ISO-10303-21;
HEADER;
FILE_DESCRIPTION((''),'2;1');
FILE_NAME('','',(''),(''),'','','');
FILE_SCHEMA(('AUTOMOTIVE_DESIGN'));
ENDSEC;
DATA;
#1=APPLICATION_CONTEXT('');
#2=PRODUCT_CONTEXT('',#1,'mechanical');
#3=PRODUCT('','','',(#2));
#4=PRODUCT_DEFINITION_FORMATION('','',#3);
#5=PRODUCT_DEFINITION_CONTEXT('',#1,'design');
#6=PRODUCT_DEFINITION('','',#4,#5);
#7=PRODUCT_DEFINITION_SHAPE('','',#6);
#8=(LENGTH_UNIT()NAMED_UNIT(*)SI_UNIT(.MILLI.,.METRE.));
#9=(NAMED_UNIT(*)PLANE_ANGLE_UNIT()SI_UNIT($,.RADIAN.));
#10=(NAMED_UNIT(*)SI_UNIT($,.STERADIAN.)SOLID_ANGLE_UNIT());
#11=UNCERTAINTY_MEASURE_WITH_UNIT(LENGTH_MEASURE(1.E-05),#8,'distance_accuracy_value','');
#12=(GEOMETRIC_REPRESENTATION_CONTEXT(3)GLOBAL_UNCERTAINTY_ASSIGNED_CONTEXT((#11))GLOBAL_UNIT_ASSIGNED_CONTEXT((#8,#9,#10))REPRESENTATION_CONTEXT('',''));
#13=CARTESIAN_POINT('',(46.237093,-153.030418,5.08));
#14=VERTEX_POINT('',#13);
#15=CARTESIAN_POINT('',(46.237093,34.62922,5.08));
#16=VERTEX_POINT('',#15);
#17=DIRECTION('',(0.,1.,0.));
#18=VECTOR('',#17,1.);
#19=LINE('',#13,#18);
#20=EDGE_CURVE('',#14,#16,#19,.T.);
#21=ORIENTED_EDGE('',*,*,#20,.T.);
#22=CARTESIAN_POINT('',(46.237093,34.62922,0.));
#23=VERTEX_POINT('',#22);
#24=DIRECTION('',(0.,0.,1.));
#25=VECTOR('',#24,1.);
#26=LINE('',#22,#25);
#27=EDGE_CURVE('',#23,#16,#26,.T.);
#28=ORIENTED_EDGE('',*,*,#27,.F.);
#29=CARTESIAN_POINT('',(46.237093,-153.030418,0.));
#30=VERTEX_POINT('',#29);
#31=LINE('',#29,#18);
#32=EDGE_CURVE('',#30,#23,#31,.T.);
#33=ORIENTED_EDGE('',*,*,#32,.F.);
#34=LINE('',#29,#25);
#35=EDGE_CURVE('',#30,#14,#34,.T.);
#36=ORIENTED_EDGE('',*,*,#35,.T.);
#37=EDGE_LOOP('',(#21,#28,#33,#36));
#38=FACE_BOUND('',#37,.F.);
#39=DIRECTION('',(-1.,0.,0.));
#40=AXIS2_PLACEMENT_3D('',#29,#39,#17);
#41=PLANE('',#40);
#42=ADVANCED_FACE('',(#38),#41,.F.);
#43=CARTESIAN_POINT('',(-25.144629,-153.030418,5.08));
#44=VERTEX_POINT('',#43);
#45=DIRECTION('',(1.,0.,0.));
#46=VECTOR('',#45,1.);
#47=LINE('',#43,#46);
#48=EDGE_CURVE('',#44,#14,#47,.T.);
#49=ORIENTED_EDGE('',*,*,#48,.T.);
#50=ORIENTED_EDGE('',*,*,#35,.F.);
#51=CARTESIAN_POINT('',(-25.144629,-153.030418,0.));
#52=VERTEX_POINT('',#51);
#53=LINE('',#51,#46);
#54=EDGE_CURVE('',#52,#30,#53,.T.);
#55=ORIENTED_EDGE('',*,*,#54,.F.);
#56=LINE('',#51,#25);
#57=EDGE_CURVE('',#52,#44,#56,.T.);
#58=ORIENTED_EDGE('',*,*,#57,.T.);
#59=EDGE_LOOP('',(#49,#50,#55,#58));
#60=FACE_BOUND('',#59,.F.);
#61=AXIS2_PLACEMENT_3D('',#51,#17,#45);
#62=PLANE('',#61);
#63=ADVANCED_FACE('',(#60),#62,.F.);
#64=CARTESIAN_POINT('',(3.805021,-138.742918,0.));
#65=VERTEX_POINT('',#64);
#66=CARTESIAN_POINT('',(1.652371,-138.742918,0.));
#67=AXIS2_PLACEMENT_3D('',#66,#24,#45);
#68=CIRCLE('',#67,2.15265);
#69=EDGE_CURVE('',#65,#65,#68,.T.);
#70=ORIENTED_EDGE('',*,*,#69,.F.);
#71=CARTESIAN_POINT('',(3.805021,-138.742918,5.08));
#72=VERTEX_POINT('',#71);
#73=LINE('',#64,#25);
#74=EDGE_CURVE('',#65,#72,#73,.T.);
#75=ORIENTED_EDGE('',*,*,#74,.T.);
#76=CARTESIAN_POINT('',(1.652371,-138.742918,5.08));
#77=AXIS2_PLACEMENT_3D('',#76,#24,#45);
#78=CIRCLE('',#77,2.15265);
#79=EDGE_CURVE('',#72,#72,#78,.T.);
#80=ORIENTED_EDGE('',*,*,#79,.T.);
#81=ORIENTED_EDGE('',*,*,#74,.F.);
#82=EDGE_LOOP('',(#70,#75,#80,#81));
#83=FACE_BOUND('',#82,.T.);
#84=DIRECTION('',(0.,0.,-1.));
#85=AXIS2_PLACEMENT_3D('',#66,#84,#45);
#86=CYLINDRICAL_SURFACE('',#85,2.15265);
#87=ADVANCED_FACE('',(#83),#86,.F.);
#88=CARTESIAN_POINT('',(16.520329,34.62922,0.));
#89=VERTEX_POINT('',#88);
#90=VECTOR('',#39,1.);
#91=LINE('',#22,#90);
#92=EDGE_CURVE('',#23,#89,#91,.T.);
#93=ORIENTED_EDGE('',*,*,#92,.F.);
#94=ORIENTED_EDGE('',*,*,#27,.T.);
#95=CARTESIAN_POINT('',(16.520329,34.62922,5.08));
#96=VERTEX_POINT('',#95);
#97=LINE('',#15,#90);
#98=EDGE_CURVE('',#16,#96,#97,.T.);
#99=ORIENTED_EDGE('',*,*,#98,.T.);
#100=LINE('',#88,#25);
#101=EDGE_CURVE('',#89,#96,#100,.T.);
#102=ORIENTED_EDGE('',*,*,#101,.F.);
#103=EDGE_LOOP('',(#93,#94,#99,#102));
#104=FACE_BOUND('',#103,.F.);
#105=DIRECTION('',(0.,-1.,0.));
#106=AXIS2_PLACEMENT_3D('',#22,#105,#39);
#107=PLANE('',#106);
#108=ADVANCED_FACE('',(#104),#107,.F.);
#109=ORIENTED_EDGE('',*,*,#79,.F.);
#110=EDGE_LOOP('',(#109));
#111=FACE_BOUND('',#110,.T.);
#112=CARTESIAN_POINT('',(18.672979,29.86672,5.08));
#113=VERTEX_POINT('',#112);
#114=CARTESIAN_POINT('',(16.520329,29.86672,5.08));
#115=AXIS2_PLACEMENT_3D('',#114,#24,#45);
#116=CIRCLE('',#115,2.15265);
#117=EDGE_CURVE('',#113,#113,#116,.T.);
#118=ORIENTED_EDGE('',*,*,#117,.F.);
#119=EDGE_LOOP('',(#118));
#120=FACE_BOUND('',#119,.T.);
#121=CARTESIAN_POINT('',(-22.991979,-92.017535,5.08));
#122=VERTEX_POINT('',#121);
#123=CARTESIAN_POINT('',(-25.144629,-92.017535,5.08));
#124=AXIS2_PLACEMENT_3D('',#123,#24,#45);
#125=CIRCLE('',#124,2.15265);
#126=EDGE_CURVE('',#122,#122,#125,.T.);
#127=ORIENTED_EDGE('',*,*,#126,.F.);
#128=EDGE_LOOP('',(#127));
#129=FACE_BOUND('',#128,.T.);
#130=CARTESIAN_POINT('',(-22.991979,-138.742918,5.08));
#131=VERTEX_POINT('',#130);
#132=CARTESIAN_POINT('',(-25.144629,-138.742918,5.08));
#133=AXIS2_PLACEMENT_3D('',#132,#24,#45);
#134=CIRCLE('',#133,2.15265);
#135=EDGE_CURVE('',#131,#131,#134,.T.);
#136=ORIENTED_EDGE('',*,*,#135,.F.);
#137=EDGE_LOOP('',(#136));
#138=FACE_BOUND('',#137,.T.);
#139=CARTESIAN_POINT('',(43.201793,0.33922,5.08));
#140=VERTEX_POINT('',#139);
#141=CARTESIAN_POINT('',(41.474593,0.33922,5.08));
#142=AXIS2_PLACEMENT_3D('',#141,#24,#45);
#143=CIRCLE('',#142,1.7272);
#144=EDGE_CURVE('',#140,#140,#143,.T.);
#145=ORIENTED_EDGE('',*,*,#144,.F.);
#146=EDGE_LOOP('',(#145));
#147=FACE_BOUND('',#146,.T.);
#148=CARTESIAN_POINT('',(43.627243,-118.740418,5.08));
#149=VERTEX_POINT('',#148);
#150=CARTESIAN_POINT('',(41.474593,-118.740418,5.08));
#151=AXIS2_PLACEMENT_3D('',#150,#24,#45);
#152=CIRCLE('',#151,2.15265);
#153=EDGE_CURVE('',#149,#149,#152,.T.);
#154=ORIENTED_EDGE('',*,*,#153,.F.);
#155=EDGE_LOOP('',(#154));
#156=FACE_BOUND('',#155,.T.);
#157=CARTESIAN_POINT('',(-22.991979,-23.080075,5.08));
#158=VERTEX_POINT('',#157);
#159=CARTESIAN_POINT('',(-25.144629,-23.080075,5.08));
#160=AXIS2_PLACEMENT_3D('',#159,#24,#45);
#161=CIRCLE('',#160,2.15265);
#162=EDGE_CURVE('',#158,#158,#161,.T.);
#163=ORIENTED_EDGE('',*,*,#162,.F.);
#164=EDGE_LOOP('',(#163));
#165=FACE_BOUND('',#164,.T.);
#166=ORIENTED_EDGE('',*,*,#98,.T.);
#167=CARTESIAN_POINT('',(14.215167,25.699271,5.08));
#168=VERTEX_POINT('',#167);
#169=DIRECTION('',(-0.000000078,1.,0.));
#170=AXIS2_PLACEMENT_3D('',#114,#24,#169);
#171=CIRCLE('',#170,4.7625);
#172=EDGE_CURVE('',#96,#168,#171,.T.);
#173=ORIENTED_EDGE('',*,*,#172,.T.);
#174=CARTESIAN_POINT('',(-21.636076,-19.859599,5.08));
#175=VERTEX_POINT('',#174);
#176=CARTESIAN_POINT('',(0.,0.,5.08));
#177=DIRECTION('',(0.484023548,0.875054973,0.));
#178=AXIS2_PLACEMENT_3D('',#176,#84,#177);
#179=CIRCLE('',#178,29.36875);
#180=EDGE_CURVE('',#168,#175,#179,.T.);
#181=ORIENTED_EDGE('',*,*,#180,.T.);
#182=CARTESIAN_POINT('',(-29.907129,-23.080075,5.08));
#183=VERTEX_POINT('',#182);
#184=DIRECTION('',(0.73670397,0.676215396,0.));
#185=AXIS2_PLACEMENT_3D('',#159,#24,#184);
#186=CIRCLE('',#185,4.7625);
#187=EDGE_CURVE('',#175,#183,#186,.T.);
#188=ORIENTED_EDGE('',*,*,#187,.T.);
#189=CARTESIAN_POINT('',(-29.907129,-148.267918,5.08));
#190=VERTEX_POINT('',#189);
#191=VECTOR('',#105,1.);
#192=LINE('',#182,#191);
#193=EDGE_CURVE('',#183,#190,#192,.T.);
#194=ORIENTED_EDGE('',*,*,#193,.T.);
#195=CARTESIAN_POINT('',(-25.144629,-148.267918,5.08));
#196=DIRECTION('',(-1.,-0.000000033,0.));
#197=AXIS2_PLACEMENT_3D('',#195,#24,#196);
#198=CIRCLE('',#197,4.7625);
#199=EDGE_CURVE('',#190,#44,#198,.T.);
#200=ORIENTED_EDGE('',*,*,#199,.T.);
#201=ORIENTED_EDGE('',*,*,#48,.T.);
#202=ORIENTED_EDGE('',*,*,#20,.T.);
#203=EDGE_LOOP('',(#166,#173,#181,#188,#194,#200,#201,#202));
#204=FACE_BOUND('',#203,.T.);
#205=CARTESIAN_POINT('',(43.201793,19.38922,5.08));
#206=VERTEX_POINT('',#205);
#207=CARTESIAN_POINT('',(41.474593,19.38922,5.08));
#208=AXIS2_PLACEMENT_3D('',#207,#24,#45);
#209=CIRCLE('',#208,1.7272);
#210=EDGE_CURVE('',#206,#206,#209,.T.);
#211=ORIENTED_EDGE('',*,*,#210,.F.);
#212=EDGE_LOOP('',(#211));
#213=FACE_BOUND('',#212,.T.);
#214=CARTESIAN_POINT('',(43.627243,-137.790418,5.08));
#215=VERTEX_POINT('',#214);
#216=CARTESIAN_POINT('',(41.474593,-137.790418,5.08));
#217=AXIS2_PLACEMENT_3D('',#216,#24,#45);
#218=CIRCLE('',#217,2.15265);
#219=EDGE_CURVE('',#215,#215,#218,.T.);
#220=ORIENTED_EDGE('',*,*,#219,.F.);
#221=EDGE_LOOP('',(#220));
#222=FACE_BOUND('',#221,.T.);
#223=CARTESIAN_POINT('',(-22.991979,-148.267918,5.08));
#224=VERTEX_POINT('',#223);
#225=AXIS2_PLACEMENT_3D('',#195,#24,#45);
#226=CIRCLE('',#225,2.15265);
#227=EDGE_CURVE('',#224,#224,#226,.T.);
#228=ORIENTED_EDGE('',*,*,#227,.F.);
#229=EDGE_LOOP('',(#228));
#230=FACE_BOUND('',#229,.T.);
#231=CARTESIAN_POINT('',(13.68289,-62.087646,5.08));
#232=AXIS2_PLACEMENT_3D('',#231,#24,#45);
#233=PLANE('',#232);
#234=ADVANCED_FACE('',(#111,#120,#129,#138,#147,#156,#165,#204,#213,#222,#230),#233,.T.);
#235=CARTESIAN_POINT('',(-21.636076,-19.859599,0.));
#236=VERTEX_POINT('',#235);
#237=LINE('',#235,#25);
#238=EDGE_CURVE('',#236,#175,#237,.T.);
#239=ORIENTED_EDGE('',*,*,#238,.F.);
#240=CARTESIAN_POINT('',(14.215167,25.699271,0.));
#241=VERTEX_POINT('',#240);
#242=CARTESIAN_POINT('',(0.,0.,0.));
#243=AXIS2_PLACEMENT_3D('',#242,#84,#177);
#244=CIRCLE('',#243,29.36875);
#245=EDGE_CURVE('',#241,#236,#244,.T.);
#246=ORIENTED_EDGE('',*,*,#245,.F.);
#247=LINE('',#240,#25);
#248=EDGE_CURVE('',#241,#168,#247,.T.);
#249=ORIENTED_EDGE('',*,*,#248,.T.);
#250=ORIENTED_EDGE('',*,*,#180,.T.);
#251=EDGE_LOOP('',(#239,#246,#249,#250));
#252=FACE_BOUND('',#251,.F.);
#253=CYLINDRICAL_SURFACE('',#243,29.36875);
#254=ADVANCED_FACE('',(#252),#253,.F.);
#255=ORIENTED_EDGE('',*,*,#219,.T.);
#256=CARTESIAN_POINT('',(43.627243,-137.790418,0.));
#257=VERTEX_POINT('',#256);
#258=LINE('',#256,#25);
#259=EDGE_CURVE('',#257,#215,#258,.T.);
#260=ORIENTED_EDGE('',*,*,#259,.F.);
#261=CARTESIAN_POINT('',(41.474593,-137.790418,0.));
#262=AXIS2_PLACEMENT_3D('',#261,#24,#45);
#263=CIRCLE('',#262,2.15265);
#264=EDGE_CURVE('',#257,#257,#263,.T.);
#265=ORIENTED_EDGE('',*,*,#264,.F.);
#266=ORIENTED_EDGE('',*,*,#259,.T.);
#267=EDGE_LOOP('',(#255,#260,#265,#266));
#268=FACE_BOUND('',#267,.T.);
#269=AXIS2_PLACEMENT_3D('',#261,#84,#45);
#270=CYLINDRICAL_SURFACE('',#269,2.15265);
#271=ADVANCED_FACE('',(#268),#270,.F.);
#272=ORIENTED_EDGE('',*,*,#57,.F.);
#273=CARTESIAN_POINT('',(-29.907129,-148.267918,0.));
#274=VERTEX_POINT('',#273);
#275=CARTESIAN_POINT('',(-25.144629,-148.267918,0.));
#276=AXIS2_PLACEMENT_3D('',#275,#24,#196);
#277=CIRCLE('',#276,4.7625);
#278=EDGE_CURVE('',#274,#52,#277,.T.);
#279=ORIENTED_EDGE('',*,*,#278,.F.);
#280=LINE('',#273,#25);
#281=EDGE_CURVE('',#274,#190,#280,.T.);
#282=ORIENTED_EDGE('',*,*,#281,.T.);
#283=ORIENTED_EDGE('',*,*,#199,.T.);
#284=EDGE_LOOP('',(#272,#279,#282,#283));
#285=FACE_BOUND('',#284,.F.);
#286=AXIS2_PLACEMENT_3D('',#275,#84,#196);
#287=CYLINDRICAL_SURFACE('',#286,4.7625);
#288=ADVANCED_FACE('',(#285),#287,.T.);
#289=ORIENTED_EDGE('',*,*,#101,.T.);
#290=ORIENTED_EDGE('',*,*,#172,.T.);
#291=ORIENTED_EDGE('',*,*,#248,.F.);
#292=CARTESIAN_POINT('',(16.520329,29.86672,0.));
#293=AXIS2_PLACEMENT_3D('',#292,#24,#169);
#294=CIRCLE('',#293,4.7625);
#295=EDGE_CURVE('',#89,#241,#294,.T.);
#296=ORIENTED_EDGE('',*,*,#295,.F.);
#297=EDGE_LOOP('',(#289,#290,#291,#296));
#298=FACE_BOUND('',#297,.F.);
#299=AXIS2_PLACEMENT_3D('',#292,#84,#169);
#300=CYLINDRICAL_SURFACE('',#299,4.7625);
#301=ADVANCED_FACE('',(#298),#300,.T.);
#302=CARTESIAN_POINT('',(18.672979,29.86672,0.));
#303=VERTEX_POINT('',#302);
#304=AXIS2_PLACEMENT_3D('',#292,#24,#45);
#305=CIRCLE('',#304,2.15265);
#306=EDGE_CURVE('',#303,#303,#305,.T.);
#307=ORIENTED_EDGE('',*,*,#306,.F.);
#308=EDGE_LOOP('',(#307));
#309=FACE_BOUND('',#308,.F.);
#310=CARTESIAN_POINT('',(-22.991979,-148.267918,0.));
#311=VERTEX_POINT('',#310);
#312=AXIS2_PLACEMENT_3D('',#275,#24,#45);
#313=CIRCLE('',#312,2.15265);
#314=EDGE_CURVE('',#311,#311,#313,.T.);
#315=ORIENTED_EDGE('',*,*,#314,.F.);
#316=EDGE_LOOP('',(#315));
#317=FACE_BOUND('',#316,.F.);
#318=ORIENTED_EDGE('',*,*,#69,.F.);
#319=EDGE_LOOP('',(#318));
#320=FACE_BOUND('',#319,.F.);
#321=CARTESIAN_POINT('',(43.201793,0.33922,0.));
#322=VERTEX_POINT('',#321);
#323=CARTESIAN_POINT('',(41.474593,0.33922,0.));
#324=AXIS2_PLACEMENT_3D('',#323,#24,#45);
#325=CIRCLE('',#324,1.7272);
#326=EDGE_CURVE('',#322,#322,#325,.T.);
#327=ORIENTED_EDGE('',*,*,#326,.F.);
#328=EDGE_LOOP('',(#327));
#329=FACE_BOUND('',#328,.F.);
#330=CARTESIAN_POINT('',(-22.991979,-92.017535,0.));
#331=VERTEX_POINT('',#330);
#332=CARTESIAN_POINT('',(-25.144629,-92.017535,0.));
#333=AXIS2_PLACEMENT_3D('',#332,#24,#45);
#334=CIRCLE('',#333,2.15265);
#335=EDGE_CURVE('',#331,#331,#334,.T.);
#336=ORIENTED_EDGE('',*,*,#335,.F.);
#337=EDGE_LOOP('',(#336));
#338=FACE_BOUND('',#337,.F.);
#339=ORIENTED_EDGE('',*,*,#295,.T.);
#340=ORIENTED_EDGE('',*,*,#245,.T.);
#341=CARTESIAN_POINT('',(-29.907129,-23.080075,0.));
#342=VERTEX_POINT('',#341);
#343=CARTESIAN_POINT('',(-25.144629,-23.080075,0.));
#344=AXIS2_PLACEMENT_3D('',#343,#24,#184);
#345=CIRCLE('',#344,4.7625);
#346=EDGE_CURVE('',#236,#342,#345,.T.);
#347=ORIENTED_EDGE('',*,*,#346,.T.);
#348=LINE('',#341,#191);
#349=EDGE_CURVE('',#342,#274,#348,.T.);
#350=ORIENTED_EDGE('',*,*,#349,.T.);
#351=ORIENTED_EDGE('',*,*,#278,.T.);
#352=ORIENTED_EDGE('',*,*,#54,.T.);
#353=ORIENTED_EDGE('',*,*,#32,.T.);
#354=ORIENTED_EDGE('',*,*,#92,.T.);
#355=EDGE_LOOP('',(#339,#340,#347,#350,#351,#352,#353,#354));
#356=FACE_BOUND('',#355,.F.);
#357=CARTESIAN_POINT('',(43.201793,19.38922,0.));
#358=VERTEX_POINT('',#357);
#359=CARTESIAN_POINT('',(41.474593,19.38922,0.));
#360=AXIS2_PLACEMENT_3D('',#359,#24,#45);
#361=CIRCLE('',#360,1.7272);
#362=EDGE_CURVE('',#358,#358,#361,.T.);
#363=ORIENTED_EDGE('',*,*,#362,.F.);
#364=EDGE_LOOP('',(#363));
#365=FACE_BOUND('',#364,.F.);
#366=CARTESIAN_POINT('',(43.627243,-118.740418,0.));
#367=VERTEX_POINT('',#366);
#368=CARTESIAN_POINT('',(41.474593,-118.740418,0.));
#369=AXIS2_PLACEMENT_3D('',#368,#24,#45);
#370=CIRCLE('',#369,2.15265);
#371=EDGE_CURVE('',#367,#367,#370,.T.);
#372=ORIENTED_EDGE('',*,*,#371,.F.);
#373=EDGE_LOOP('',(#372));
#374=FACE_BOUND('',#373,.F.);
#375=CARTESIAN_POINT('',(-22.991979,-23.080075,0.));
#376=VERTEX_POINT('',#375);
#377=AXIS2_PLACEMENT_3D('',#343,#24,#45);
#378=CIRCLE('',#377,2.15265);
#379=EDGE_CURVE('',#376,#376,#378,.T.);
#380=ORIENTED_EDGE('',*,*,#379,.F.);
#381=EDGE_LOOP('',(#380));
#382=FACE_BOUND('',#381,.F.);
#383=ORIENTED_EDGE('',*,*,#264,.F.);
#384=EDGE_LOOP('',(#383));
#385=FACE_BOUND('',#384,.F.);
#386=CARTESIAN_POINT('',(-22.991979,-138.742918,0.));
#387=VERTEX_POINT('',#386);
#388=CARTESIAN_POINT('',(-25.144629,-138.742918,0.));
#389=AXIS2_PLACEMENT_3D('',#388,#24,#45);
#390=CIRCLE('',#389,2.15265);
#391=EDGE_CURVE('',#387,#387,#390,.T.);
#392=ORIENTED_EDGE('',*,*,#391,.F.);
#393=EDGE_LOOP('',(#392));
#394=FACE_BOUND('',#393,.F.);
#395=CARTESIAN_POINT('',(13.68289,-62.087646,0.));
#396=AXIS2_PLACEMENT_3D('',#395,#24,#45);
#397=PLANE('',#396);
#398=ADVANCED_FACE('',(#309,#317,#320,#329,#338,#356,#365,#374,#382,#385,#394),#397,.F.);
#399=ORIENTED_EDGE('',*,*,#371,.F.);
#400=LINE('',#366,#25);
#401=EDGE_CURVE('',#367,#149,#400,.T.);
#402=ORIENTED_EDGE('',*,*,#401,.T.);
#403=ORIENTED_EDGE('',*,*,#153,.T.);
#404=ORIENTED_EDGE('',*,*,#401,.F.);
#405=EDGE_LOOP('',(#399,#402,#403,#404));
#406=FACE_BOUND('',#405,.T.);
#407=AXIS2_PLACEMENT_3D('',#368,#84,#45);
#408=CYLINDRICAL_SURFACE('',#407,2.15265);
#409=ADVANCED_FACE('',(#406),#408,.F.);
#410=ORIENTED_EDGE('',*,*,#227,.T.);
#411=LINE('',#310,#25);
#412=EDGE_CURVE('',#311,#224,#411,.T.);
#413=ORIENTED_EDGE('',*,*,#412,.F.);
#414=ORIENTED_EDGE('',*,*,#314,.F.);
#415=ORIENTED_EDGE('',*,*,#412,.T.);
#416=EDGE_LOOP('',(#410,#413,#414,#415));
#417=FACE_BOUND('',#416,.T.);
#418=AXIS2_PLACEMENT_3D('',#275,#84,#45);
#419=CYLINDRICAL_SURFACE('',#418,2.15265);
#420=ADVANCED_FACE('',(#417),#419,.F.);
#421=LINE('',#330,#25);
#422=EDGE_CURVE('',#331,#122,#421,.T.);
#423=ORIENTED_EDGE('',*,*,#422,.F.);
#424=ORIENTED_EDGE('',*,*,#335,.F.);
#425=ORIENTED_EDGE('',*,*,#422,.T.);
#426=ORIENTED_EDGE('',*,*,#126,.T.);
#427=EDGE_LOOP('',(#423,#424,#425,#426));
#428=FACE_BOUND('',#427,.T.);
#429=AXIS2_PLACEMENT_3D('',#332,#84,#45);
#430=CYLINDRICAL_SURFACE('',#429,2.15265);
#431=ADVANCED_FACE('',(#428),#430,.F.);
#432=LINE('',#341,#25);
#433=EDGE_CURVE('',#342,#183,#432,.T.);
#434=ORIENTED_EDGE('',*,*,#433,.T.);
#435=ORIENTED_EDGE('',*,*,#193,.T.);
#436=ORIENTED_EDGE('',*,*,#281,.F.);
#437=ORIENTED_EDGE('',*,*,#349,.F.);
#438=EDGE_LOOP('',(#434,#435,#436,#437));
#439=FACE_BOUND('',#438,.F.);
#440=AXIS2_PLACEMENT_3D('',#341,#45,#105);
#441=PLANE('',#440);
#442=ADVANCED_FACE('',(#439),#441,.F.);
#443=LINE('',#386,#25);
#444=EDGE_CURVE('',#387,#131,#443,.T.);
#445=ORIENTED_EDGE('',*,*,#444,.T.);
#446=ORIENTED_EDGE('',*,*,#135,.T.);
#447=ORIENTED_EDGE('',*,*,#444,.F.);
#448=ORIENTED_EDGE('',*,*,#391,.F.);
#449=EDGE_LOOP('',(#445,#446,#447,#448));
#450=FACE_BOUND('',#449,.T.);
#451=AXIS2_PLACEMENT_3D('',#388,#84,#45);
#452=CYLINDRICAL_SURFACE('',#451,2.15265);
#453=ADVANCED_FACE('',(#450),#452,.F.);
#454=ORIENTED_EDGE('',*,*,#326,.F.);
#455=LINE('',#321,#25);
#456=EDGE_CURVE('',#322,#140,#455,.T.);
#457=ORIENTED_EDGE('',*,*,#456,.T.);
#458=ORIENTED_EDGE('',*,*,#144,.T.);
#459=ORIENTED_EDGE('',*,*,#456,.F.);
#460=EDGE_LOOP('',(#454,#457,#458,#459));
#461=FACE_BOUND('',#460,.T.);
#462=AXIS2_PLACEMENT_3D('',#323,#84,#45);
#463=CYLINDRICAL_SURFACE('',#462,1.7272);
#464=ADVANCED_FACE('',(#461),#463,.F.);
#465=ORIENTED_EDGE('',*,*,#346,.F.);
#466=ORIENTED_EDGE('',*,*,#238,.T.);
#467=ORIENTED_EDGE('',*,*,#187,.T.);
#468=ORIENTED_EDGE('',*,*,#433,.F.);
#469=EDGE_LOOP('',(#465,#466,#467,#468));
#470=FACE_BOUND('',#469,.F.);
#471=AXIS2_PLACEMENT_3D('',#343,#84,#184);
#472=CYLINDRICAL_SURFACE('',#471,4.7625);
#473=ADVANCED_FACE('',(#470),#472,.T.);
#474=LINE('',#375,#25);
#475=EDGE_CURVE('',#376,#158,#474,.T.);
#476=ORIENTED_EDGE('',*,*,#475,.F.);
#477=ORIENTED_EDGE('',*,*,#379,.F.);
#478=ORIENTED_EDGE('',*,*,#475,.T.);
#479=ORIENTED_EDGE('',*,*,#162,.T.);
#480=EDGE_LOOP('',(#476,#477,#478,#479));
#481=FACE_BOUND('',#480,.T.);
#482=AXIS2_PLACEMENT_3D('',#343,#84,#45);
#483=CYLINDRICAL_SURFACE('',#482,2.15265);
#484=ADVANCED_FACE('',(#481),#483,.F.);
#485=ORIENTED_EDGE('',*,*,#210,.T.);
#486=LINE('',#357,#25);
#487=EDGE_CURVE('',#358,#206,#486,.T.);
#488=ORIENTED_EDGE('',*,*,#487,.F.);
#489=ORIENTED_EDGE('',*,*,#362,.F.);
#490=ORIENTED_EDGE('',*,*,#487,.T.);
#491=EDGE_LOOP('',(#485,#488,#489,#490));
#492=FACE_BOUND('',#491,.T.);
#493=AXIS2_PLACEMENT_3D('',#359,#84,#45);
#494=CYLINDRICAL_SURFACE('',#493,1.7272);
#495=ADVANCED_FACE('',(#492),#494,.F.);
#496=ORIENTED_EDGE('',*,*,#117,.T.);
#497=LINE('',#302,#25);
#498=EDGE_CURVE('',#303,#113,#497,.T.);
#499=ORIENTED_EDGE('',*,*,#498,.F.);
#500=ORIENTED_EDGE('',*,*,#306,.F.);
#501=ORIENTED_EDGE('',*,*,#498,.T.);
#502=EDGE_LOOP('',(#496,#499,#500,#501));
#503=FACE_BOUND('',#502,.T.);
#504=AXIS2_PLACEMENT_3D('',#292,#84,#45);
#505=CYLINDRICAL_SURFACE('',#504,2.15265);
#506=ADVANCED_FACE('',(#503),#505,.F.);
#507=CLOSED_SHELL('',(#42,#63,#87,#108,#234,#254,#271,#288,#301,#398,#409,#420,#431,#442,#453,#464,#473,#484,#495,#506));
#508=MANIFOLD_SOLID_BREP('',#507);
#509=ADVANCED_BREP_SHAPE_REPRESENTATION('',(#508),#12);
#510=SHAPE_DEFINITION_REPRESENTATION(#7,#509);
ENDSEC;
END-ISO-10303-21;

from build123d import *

# Parameters (mm, degrees)
F0_R     = 2.15265
F0_R_2   = 1.7272
F1_DEPTH = 5.08


with BuildPart() as f1:
    # F0 (on Top) → F1 (new body)
    with BuildSketch(Plane.XY):
        with BuildLine():
            Line((-25.144629, -153.030418), (46.237093, -153.030418))
            Line((46.237093, -153.030418), (46.237093, 34.62922))
            Line((46.237093, 34.62922), (16.520329, 34.62922))
            ThreePointArc((16.520329, 34.62922), (11.908991, 31.057083), (14.215167, 25.699271))
            ThreePointArc((14.215167, 25.699271), (23.079648, -18.161865), (-21.636076, -19.859599))
            ThreePointArc((-21.636076, -19.859599), (-26.872623, -18.64212), (-29.907129, -23.080075))
            Line((-29.907129, -23.080075), (-29.907129, -148.267918))
            ThreePointArc((-29.907129, -148.267918), (-28.512225, -151.635514), (-25.144629, -153.030418))
        make_face()
        with Locations((-25.144629, -148.267918)):
            Circle(F0_R, mode=Mode.SUBTRACT)
        with Locations((-25.144629, -138.742918)):
            Circle(F0_R, mode=Mode.SUBTRACT)
        with Locations((1.652371, -138.742918)):
            Circle(F0_R, mode=Mode.SUBTRACT)
        with Locations((-25.144629, -92.017535)):
            Circle(F0_R, mode=Mode.SUBTRACT)
        with Locations((41.474593, -137.790418)):
            Circle(F0_R, mode=Mode.SUBTRACT)
        with Locations((41.474593, -118.740418)):
            Circle(F0_R, mode=Mode.SUBTRACT)
        with Locations((-25.144629, -23.080075)):
            Circle(F0_R, mode=Mode.SUBTRACT)
        with Locations((16.520329, 29.86672)):
            Circle(F0_R, mode=Mode.SUBTRACT)
        with Locations((41.474593, 0.33922)):
            Circle(F0_R_2, mode=Mode.SUBTRACT)
        with Locations((41.474593, 19.38922)):
            Circle(F0_R_2, mode=Mode.SUBTRACT)
    extrude(amount=F1_DEPTH)


solid = f1.part
